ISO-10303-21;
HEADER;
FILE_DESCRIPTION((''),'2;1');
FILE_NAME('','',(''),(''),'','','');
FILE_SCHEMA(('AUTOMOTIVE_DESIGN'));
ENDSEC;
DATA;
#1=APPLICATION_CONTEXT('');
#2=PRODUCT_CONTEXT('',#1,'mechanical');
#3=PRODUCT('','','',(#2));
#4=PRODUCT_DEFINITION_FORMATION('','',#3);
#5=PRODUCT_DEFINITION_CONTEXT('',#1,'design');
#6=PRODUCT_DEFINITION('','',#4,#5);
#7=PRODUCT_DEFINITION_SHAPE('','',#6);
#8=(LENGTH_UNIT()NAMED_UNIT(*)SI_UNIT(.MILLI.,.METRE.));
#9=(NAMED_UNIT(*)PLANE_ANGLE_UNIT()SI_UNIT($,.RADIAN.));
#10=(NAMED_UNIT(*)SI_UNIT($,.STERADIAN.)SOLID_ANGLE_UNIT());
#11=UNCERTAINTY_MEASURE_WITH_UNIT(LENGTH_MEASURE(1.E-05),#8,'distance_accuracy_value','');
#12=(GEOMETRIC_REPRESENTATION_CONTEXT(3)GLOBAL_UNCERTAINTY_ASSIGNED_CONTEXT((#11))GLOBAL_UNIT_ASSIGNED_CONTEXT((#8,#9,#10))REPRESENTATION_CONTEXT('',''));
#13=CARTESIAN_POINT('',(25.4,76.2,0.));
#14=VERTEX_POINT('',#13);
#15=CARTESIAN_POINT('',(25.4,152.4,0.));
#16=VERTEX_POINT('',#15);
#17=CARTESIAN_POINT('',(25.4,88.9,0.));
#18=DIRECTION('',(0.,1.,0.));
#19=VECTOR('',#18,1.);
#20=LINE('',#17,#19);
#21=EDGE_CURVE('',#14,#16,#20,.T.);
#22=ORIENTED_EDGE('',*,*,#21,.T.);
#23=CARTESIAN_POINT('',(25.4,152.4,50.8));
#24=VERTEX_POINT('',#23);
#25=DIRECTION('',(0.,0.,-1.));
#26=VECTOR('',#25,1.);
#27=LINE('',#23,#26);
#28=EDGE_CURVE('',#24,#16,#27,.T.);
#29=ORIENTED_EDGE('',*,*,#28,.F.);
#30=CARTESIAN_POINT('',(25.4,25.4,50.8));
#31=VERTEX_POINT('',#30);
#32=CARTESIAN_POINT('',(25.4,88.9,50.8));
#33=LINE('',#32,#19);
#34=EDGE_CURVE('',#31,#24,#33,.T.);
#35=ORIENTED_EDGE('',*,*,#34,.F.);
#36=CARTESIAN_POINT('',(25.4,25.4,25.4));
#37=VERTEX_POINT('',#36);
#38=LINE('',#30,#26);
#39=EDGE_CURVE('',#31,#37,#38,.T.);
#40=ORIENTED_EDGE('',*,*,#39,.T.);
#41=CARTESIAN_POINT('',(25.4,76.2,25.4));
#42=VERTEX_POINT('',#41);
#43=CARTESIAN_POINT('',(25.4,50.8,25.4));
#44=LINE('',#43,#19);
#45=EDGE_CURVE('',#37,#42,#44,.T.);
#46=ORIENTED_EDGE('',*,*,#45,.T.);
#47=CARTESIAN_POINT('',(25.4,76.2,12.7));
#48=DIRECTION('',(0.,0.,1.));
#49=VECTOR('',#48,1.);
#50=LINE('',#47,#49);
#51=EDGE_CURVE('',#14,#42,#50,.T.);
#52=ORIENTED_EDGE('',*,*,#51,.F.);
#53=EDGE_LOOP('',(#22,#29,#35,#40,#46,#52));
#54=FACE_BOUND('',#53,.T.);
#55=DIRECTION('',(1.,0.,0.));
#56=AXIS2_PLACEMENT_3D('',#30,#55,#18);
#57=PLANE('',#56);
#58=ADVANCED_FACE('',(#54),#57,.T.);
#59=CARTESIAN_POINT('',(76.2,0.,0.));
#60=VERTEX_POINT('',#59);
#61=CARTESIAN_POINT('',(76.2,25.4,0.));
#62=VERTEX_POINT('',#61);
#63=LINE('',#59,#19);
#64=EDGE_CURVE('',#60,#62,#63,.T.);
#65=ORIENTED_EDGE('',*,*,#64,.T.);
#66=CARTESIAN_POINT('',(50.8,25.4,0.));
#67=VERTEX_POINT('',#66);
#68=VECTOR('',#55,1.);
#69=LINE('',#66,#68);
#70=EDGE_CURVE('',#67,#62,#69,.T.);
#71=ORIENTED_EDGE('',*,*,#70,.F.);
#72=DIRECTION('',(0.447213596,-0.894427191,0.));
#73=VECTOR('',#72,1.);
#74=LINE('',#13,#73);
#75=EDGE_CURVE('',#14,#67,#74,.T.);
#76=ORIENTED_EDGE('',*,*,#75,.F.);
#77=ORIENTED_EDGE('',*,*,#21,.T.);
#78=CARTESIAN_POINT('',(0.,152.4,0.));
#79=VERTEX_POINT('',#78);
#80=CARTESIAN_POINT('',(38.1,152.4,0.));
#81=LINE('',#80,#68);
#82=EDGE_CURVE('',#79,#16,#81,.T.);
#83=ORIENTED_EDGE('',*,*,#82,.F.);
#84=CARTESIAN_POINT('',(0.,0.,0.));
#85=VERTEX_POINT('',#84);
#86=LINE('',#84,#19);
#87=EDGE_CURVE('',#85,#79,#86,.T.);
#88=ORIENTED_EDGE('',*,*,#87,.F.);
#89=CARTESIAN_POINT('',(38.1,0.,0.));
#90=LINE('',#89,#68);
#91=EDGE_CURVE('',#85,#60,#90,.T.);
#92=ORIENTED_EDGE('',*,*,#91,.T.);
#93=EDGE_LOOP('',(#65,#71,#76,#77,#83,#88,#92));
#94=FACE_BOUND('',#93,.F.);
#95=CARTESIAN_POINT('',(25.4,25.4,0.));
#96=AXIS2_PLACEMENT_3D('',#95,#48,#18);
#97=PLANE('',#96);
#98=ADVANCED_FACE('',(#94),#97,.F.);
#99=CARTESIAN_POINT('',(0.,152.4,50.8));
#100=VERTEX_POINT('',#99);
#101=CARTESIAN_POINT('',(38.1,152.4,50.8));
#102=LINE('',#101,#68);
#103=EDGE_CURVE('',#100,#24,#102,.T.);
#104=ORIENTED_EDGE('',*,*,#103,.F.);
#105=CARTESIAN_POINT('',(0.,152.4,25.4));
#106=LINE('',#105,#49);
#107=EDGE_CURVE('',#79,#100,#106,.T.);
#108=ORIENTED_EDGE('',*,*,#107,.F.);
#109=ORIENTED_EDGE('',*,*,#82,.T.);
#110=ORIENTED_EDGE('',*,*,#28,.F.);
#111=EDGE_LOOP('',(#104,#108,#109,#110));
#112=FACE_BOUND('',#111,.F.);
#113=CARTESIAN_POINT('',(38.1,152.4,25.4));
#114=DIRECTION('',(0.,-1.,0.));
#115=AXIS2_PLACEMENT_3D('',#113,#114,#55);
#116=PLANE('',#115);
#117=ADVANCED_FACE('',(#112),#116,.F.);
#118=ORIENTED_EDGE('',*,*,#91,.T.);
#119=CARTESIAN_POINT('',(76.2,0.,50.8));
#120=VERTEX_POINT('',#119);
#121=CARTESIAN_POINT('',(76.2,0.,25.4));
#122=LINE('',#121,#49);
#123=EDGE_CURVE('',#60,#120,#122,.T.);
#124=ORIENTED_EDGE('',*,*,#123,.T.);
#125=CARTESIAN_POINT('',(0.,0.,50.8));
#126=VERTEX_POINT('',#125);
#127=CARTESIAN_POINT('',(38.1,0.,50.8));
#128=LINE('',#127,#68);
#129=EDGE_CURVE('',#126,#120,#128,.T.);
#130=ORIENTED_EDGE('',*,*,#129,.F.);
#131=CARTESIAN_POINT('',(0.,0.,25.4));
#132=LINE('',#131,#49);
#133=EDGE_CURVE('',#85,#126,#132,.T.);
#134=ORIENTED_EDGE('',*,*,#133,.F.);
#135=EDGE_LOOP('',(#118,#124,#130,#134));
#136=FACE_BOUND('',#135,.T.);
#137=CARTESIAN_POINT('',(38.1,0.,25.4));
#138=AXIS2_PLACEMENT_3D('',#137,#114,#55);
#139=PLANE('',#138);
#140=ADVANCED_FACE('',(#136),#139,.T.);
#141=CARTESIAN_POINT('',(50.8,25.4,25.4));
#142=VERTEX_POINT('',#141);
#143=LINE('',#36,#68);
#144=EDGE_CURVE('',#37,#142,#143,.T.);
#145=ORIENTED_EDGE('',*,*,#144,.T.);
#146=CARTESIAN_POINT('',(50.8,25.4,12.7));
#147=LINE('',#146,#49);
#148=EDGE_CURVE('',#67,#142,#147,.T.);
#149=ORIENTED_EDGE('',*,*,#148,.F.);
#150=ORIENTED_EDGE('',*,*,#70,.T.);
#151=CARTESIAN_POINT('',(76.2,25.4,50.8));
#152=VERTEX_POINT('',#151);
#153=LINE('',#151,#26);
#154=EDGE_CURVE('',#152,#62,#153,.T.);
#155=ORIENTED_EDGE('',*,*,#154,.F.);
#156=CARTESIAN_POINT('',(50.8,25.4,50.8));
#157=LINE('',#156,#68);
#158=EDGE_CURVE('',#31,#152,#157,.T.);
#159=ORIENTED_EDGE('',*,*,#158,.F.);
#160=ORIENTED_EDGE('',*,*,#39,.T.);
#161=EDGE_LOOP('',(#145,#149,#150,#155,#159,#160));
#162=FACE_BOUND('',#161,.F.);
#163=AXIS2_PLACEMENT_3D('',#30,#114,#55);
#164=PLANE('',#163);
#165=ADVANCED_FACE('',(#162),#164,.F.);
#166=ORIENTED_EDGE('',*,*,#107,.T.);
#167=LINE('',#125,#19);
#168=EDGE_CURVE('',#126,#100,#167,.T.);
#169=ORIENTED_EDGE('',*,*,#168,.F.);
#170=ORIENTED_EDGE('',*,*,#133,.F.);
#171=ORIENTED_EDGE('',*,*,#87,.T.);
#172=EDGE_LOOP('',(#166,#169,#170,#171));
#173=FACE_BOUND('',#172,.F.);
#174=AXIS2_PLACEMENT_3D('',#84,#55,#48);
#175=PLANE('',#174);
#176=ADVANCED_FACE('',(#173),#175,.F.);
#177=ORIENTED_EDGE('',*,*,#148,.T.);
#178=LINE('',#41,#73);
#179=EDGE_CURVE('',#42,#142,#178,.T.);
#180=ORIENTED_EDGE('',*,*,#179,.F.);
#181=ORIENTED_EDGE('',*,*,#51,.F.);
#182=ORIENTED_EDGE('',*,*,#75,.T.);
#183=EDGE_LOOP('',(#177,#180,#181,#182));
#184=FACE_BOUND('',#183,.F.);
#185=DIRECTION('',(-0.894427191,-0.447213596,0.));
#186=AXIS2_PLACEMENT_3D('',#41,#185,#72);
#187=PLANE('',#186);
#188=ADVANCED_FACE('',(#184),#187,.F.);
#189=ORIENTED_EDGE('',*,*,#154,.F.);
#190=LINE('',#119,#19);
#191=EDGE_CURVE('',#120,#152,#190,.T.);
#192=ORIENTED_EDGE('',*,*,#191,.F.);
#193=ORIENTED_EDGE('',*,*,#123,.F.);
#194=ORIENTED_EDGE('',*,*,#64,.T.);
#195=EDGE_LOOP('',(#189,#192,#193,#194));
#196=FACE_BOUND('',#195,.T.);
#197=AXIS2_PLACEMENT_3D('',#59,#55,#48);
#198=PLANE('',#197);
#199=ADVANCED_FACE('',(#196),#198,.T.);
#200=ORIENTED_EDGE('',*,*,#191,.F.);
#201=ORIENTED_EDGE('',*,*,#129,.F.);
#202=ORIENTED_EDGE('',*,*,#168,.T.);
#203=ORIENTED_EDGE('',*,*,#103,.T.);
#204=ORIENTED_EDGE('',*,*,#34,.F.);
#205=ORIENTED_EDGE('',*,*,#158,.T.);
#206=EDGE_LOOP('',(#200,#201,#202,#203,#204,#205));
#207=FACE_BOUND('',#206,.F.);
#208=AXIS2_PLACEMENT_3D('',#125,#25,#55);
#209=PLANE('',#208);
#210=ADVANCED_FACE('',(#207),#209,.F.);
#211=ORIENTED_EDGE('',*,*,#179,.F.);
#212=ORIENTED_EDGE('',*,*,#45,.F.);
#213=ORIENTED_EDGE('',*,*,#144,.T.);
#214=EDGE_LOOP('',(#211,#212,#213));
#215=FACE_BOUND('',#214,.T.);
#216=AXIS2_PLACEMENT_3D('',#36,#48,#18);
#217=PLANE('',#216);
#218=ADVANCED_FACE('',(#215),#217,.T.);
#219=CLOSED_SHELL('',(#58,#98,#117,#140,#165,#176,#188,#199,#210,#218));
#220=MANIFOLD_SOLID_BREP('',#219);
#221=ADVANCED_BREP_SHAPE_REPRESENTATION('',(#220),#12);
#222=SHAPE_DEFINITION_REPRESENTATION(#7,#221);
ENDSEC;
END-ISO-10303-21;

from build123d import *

# Parameters (mm, degrees)
F0_W     = 76.2
F0_H     = 50.8
F1_DEPTH = 152.4
F2_W     = 50.8
F2_H     = 127
F3_DEPTH = 50.8
F4_W     = 50.8
F4_H     = 25.4
F5_DEPTH = 25.4
F7_DEPTH = 25.4


with BuildPart() as f1:
    # F0 (on Front) → F1 (new body)
    with BuildSketch(Plane.XZ):
        with Locations((38.1, 25.4)):
            Rectangle(F0_W, F0_H)
    extrude(amount=-F1_DEPTH)

    # F2 (on face) → F3 (cut)
    with BuildSketch(Plane.XY.offset(50.8)):
        with Locations((50.8, 88.9)):
            Rectangle(F2_W, F2_H)
    extrude(amount=-F3_DEPTH, mode=Mode.SUBTRACT)

    # F4 (on face) → F5 (join)
    with BuildSketch(Plane.YZ.offset(25.4)):
        with Locations((50.8, 12.7)):
            Rectangle(F4_W, F4_H)
    extrude(amount=F5_DEPTH)

    # F6 (on face) → F7 (cut)
    with BuildSketch(Plane.XY.offset(25.4)):
        Polygon((50.8, 76.2), (25.4, 76.2), (50.8, 25.4), align=None)
    extrude(amount=-F7_DEPTH, mode=Mode.SUBTRACT)


solid = f1.part
